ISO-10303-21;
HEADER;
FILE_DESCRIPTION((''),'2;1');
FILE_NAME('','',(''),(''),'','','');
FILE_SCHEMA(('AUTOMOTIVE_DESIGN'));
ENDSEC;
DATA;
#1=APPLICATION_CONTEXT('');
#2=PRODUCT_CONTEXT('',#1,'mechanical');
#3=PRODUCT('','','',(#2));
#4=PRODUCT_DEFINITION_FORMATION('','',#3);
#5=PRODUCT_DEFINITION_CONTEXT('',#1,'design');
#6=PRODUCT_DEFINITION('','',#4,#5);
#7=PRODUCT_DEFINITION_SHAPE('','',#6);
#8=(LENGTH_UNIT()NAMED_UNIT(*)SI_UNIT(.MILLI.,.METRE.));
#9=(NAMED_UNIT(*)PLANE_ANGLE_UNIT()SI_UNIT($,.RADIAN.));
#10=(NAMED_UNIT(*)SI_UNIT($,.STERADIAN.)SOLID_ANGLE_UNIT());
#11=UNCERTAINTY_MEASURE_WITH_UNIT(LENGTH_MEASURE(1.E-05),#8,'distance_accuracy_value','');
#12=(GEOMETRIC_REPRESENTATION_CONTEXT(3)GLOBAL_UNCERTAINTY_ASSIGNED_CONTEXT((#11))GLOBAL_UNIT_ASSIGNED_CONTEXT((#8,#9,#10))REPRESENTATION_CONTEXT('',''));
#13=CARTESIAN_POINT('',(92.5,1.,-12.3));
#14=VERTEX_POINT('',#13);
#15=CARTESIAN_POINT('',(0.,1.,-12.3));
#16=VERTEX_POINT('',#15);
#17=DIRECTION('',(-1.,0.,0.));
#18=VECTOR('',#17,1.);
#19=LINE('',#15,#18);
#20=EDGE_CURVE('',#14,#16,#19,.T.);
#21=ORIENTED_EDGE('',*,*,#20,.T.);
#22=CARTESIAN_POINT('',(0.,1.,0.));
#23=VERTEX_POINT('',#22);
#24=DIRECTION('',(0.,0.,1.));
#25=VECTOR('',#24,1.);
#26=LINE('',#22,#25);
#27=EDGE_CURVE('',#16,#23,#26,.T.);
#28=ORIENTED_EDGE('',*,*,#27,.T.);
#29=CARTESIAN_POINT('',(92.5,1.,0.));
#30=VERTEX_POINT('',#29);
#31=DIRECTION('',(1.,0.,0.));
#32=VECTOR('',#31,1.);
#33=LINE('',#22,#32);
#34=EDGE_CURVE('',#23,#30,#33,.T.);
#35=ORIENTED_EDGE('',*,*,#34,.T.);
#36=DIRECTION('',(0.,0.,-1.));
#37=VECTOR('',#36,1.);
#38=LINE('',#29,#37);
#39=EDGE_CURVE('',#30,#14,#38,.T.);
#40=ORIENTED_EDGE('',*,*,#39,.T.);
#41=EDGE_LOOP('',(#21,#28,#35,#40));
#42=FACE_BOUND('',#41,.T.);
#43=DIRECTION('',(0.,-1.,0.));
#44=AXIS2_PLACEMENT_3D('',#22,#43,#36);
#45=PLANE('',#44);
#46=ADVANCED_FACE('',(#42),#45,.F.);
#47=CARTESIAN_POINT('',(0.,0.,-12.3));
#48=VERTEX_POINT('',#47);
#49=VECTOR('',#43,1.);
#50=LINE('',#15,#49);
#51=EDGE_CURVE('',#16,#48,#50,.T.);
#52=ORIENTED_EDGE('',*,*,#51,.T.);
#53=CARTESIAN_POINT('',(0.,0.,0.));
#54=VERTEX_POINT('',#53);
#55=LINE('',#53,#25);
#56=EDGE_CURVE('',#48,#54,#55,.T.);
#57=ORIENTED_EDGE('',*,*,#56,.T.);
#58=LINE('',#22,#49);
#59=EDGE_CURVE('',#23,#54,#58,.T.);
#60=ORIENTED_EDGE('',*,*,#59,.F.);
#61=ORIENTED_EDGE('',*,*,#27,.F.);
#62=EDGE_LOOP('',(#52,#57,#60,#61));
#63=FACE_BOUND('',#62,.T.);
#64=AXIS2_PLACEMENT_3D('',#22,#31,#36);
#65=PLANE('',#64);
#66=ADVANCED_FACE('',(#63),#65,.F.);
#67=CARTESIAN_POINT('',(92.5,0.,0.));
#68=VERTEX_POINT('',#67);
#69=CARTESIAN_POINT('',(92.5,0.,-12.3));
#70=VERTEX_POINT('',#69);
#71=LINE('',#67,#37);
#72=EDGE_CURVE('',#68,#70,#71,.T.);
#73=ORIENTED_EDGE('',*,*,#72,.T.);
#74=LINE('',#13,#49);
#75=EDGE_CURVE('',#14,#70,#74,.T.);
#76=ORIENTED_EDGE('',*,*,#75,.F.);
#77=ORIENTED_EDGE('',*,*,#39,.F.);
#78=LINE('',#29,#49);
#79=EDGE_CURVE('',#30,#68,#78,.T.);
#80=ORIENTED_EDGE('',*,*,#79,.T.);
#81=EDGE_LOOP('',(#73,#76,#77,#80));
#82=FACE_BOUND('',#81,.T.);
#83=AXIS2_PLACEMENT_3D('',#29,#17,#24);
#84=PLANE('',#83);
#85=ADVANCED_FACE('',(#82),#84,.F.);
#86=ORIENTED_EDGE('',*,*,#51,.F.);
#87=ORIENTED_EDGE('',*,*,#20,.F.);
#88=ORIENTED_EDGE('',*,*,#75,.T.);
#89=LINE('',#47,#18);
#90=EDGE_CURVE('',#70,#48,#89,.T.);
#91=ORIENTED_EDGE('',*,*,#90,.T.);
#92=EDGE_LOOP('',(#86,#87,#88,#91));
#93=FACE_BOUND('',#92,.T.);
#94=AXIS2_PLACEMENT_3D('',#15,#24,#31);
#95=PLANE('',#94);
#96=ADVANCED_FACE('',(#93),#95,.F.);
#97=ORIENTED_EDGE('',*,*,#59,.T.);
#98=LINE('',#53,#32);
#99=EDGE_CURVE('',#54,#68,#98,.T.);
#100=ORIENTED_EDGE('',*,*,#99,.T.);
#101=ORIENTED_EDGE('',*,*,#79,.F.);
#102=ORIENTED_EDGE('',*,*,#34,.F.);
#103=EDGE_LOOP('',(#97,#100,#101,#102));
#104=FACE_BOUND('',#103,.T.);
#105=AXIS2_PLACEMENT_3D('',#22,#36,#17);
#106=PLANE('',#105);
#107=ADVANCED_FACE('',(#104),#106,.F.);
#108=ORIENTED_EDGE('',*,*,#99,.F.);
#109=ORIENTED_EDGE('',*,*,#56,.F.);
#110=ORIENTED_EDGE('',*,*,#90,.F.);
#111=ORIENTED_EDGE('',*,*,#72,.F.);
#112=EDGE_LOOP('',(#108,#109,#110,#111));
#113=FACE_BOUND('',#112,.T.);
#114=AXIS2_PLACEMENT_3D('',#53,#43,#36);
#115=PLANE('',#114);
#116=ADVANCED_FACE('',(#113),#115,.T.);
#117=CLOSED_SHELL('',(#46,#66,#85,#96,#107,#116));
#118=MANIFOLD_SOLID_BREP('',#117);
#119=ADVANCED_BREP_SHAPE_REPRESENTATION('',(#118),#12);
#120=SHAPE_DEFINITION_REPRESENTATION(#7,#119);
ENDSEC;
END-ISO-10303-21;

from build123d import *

# Parameters (mm, degrees)
SKETCH1_W           = 92.5
SKETCH1_H           = 12.3
BOSS_EXTRUDE1_DEPTH = 1


with BuildPart() as part:
    # Sketch1 → Boss-Extrude1 (new body)
    with BuildSketch(Plane(origin=(0, 0, 0), x_dir=(1, 0, 0), z_dir=(0, 1, 0))):
        with Locations((46.25, 6.15)):
            Rectangle(SKETCH1_W, SKETCH1_H)
    extrude(amount=BOSS_EXTRUDE1_DEPTH)


solid = part.part
